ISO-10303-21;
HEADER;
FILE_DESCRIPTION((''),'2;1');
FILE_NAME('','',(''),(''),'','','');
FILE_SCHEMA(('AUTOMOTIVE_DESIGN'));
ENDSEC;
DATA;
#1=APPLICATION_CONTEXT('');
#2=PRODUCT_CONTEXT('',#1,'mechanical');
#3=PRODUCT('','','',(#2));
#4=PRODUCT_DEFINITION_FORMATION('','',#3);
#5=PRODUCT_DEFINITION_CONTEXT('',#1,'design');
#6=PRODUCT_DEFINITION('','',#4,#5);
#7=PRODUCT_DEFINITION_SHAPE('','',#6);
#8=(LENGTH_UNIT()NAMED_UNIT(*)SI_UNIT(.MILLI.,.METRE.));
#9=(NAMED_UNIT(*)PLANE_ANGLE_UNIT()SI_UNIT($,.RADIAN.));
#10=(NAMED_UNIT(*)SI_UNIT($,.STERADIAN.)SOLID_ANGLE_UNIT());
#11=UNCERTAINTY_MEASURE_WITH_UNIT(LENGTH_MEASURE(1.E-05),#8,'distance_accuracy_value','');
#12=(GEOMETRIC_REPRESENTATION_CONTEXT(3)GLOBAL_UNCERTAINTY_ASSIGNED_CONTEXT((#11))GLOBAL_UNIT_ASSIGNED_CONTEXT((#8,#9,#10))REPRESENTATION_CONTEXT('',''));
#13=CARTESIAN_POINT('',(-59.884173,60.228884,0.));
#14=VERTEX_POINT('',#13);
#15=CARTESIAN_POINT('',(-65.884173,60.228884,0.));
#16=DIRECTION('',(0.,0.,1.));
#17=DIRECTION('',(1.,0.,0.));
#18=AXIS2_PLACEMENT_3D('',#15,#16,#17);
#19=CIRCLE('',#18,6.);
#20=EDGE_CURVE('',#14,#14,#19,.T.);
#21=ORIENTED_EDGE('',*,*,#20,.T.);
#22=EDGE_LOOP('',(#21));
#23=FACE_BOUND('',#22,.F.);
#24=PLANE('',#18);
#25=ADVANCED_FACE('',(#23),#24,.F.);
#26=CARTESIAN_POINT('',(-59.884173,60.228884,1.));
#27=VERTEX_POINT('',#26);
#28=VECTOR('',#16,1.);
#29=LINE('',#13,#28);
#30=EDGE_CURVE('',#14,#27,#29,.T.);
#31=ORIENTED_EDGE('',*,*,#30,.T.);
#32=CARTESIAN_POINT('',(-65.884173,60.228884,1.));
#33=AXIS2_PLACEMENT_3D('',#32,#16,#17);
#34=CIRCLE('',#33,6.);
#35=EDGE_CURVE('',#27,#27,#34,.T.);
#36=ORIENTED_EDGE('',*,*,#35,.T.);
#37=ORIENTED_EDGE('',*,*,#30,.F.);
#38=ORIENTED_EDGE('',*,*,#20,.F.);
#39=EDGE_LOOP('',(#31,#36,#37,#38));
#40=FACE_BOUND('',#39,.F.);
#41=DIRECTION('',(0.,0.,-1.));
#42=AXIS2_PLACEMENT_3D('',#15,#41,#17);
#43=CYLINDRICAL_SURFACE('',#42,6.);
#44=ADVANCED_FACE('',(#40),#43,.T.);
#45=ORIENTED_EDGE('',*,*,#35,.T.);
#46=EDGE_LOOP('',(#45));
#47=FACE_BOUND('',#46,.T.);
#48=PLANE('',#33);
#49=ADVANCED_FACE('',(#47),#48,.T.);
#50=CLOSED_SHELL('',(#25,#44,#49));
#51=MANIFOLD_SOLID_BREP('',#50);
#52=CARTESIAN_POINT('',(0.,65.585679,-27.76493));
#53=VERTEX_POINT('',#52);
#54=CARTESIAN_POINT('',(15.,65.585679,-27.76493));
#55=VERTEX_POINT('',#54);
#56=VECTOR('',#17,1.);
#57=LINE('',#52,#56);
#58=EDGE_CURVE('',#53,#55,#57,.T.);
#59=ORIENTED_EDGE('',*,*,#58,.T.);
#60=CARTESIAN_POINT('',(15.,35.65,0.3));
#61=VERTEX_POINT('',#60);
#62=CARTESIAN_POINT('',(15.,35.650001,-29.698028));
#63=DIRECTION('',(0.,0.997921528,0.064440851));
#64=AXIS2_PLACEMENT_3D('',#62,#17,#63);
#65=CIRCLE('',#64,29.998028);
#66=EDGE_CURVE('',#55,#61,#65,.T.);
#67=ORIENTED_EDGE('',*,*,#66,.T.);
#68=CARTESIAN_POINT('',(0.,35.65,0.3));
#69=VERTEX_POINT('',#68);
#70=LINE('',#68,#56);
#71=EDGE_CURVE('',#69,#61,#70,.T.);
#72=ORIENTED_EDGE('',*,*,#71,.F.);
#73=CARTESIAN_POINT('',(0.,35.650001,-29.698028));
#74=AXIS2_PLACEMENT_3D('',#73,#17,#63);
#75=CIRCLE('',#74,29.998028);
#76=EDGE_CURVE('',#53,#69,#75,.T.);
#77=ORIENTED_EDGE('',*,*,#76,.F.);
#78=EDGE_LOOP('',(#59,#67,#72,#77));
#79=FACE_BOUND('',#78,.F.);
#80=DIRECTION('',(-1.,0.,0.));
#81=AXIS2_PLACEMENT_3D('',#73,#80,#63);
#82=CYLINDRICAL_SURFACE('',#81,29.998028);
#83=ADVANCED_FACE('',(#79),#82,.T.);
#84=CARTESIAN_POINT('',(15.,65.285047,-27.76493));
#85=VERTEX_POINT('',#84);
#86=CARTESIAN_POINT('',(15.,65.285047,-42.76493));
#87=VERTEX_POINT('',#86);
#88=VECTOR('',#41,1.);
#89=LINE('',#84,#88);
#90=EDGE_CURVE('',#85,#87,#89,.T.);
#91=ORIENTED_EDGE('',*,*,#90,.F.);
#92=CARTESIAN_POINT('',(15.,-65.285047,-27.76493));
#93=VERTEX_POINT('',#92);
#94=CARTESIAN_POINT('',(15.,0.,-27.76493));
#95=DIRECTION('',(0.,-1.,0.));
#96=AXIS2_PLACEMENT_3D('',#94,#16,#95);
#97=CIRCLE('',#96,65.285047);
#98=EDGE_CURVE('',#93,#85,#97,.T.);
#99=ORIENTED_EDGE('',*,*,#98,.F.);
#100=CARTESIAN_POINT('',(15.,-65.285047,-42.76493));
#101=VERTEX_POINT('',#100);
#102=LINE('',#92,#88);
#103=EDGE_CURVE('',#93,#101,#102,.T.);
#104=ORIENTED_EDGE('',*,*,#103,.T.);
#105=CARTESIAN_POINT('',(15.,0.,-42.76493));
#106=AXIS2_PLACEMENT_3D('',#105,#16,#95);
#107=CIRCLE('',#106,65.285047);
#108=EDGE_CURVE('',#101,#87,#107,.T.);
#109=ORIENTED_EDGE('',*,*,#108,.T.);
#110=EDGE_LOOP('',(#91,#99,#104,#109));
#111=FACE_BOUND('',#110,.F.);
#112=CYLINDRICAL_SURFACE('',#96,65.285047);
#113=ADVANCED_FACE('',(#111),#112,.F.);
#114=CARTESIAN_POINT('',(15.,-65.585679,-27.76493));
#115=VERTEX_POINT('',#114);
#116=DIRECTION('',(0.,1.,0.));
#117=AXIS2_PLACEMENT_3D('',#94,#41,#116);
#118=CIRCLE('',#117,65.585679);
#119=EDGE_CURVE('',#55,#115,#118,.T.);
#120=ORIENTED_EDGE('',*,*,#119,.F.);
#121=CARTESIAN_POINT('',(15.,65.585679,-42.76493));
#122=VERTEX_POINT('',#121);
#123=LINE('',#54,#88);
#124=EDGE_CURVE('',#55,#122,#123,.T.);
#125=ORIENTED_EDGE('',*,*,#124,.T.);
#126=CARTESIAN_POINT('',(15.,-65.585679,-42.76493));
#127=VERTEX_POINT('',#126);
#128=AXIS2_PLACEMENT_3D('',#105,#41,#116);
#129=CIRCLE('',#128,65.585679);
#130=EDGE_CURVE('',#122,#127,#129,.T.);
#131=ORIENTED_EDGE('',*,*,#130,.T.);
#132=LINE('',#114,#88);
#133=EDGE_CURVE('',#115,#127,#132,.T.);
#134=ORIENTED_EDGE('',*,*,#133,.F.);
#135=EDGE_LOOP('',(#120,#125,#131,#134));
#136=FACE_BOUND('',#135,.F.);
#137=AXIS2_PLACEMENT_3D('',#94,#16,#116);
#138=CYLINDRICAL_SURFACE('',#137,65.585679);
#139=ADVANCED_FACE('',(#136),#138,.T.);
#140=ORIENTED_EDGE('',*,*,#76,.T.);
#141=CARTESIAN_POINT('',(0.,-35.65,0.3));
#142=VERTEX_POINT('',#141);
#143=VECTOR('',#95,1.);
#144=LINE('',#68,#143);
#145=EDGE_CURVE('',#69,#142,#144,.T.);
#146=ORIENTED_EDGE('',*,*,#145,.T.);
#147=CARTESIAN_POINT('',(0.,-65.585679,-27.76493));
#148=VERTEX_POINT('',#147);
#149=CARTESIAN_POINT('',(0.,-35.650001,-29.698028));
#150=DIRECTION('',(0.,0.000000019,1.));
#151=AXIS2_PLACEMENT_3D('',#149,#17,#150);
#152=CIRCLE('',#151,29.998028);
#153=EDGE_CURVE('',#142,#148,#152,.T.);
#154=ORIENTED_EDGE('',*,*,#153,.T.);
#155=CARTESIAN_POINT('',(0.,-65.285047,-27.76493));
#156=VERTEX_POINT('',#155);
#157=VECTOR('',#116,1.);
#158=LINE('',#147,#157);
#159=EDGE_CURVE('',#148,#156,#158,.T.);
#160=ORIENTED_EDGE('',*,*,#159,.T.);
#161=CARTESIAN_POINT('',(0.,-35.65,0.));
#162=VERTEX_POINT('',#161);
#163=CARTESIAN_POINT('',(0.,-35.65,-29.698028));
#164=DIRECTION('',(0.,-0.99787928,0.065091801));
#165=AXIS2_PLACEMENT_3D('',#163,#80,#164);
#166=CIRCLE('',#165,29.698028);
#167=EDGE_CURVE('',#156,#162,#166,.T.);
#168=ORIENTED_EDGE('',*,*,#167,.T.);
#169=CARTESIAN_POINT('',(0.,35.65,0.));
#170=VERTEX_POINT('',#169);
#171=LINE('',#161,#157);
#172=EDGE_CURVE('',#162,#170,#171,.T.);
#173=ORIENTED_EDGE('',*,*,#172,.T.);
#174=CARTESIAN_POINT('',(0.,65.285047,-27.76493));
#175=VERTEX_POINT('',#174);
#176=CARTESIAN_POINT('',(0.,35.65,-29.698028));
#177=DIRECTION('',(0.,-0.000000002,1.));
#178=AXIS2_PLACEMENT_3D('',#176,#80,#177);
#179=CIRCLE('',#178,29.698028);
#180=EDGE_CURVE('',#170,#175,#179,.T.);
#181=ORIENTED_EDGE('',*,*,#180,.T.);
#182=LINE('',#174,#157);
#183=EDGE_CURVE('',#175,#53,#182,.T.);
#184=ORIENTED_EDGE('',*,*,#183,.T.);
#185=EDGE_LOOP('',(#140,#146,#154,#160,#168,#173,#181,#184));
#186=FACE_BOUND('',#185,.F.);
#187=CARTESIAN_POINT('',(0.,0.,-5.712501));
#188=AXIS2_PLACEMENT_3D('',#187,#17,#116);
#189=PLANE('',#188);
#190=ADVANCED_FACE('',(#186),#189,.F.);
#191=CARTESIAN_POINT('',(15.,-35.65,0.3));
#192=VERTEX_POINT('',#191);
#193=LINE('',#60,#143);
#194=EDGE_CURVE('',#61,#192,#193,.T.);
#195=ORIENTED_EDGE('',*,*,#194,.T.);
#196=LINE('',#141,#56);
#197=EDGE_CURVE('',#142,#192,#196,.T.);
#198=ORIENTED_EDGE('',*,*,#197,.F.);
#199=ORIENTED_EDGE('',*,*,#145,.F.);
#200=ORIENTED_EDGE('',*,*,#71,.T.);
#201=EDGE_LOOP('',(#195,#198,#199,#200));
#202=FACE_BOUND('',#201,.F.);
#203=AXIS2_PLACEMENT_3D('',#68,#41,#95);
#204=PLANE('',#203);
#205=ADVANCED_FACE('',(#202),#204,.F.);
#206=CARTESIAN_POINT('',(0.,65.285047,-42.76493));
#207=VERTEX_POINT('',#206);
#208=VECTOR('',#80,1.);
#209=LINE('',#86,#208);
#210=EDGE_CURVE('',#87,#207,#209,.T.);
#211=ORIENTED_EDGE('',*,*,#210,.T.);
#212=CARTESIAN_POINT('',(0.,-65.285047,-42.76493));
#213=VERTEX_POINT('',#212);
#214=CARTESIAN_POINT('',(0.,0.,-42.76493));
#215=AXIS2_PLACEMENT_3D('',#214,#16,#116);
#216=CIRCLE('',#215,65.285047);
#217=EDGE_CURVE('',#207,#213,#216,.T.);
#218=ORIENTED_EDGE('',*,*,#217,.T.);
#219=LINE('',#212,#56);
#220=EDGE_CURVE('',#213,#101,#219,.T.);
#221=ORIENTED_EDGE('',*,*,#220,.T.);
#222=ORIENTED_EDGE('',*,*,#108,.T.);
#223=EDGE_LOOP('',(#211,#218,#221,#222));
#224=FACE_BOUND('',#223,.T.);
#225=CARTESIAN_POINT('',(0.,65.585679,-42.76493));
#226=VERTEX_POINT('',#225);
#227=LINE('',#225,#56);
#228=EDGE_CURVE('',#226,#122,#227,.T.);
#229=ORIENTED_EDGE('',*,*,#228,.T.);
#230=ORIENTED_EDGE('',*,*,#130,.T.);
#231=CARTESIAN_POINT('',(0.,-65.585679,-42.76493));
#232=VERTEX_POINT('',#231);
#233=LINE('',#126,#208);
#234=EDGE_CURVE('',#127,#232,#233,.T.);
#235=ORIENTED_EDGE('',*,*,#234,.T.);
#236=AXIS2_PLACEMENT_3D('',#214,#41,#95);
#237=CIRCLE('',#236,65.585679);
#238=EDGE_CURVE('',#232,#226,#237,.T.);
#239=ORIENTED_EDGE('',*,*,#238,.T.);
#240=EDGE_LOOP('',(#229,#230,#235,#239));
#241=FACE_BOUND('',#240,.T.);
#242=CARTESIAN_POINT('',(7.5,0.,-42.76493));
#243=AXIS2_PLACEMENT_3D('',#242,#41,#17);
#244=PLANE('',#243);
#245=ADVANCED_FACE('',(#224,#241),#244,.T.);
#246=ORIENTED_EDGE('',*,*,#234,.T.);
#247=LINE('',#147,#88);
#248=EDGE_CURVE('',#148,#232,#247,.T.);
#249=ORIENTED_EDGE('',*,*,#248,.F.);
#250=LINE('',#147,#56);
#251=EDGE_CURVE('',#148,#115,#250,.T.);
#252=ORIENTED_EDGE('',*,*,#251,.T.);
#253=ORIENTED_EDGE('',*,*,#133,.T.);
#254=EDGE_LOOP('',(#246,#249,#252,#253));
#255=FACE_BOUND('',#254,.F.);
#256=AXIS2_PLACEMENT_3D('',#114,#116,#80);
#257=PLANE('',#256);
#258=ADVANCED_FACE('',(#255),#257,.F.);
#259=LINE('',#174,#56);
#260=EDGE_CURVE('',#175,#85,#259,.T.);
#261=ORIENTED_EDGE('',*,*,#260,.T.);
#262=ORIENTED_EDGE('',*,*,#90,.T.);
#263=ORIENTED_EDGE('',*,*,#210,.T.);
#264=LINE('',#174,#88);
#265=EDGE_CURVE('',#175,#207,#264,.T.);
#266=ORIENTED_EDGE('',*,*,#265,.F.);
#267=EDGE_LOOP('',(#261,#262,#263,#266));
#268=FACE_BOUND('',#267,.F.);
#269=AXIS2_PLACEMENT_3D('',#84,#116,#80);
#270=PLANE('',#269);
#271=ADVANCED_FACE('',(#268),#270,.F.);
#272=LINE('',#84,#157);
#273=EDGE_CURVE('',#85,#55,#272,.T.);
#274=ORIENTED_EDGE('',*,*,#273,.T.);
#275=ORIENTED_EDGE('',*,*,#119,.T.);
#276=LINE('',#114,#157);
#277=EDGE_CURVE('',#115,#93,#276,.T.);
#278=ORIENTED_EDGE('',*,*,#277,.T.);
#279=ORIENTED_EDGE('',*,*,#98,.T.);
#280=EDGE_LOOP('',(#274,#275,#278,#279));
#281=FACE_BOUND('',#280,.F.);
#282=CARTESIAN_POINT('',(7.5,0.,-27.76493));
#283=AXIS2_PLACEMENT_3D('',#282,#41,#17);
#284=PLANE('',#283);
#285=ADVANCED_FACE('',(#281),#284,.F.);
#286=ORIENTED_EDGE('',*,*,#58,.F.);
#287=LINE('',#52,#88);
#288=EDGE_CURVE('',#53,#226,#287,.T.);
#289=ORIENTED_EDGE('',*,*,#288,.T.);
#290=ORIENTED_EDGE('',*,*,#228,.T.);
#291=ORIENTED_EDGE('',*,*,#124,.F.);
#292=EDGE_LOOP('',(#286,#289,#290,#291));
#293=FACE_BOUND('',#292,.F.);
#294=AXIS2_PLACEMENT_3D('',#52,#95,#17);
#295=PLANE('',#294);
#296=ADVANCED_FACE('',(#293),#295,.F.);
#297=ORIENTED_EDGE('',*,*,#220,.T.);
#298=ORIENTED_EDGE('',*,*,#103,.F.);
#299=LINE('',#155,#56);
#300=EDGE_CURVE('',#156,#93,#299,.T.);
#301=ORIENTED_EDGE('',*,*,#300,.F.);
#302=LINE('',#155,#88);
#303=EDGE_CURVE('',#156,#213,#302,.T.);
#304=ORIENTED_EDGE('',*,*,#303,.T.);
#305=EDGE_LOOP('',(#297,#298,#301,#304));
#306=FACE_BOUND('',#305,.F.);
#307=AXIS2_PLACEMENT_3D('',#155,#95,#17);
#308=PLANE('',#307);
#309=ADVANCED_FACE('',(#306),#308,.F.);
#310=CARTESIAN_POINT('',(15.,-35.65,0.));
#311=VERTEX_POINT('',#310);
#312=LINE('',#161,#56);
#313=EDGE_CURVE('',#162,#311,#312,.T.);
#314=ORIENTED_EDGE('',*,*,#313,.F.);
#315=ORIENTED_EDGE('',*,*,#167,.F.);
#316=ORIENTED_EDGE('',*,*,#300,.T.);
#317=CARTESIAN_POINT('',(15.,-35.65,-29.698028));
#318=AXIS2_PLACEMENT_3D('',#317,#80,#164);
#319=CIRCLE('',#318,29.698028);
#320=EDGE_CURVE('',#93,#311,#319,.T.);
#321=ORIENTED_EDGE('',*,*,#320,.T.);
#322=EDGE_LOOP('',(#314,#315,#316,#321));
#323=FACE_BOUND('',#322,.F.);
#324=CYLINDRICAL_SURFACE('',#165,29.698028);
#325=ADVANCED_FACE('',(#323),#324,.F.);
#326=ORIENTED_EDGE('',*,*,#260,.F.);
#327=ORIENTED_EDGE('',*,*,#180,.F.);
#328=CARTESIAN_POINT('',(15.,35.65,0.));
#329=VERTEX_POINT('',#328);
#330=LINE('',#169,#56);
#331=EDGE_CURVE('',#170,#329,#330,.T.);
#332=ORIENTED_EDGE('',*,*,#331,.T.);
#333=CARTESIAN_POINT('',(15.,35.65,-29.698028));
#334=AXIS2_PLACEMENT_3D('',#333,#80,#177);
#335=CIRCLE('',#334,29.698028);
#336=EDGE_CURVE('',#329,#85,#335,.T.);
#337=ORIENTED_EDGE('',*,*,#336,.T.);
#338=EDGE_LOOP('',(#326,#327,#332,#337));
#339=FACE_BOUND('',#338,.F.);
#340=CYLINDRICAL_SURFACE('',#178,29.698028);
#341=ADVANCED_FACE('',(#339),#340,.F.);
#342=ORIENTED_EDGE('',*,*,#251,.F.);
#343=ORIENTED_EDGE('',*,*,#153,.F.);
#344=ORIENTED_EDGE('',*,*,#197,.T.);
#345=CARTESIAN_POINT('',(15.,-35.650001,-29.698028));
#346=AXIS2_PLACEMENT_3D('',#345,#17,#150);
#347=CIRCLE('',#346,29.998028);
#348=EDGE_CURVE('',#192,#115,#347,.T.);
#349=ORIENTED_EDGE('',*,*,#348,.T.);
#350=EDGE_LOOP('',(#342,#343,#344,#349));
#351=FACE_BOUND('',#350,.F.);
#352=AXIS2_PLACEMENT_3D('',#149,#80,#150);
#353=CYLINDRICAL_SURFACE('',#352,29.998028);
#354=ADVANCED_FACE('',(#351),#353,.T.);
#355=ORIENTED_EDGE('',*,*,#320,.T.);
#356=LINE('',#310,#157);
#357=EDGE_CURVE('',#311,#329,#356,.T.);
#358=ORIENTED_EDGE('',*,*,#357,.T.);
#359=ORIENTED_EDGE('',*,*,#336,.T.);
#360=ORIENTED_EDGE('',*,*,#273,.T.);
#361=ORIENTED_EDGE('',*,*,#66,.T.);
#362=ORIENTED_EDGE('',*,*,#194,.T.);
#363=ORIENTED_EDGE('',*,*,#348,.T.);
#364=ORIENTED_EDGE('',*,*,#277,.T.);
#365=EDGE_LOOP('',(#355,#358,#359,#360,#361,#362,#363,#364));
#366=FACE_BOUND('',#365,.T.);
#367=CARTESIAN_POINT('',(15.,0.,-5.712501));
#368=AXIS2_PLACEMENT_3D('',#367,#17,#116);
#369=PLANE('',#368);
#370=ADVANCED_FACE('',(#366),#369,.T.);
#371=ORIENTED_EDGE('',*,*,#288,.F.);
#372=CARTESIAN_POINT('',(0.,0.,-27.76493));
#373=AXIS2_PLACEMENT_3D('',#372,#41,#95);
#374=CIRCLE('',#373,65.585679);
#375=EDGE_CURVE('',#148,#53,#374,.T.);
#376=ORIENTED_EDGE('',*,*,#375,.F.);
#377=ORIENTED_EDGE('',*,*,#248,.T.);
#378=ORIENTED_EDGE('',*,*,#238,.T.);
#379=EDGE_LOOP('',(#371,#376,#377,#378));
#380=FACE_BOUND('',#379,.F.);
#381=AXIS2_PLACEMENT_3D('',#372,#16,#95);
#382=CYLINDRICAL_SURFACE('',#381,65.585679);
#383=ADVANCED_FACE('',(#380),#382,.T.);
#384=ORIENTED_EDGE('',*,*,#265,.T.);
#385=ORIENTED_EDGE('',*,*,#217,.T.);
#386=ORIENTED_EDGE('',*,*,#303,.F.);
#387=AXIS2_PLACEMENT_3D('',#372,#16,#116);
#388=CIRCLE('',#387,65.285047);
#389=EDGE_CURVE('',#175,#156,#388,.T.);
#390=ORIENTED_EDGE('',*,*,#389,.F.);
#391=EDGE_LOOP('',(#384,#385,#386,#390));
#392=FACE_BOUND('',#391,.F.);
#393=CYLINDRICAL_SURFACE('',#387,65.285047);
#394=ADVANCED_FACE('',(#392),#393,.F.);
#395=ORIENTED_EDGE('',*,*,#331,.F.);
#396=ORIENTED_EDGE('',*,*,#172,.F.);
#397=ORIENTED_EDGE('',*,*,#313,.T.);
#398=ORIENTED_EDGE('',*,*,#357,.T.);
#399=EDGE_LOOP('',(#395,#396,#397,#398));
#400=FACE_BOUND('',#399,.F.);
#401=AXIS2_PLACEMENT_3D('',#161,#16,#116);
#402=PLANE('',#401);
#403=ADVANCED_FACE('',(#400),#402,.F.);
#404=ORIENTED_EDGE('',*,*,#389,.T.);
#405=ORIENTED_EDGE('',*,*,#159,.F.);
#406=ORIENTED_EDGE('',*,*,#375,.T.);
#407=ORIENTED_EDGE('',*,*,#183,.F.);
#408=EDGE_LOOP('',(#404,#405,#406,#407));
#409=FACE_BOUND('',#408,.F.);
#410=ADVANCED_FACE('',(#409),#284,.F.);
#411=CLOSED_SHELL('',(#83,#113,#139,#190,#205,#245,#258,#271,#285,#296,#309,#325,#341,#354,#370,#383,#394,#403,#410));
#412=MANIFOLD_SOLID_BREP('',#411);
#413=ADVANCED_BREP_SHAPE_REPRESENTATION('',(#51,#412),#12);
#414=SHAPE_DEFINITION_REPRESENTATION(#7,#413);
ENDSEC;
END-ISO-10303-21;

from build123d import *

# Parameters (mm, degrees)
F1_DEPTH = 15
F3_DEPTH = 15
F4_R     = 6
F5_DEPTH = 1


with BuildPart() as f1:
    # F0 (on Right) → F1 (new body)
    with BuildSketch(Plane.YZ):
        with BuildLine():
            ThreePointArc((-65.285047, -27.76493), (-55.954725, -8.025672), (-35.65, 0))
            Line((-35.65, 0), (35.65, 0))
            ThreePointArc((35.65, 0), (55.954725, -8.025672), (65.285047, -27.76493))
            Line((65.285047, -27.76493), (65.585679, -27.76493))
            ThreePointArc((65.585679, -27.76493), (56.166976, -7.813435), (35.65, 0.3))
            Line((35.65, 0.3), (-35.65, 0.3))
            ThreePointArc((-35.65, 0.3), (-56.166976, -7.813435), (-65.585679, -27.76493))
            Line((-65.585679, -27.76493), (-65.285047, -27.76493))
        make_face()
    extrude(amount=F1_DEPTH)

    # F2 (on face) → F3 (join)
    with BuildSketch(Plane(origin=(0, 0, -27.76493), x_dir=(1, 0, 0), z_dir=(0, 0, -1))):
        with BuildLine():
            Line((0, -65.585679), (15, -65.585679))
            ThreePointArc((15, -65.585679), (80.585679, 0), (15, 65.585679))
            Line((15, 65.585679), (0, 65.585679))
            ThreePointArc((0, 65.585679), (-65.585679, 0), (0, -65.585679))
        make_face()
        with BuildLine():
            ThreePointArc((15, 65.285047), (80.285047, 0), (15, -65.285047))
            Line((15, -65.285047), (0, -65.285047))
            ThreePointArc((0, -65.285047), (-65.285047, 0), (0, 65.285047))
            Line((0, 65.285047), (15, 65.285047))
        make_face(mode=Mode.SUBTRACT)
    extrude(amount=F3_DEPTH)


with BuildPart() as f5:
    # F4 (on Top) → F5 (new body)
    with BuildSketch(Plane.XY):
        with Locations((-65.884173, 60.228884)):
            Circle(F4_R)
    extrude(amount=F5_DEPTH)


solid = Compound([f1.part, f5.part])
